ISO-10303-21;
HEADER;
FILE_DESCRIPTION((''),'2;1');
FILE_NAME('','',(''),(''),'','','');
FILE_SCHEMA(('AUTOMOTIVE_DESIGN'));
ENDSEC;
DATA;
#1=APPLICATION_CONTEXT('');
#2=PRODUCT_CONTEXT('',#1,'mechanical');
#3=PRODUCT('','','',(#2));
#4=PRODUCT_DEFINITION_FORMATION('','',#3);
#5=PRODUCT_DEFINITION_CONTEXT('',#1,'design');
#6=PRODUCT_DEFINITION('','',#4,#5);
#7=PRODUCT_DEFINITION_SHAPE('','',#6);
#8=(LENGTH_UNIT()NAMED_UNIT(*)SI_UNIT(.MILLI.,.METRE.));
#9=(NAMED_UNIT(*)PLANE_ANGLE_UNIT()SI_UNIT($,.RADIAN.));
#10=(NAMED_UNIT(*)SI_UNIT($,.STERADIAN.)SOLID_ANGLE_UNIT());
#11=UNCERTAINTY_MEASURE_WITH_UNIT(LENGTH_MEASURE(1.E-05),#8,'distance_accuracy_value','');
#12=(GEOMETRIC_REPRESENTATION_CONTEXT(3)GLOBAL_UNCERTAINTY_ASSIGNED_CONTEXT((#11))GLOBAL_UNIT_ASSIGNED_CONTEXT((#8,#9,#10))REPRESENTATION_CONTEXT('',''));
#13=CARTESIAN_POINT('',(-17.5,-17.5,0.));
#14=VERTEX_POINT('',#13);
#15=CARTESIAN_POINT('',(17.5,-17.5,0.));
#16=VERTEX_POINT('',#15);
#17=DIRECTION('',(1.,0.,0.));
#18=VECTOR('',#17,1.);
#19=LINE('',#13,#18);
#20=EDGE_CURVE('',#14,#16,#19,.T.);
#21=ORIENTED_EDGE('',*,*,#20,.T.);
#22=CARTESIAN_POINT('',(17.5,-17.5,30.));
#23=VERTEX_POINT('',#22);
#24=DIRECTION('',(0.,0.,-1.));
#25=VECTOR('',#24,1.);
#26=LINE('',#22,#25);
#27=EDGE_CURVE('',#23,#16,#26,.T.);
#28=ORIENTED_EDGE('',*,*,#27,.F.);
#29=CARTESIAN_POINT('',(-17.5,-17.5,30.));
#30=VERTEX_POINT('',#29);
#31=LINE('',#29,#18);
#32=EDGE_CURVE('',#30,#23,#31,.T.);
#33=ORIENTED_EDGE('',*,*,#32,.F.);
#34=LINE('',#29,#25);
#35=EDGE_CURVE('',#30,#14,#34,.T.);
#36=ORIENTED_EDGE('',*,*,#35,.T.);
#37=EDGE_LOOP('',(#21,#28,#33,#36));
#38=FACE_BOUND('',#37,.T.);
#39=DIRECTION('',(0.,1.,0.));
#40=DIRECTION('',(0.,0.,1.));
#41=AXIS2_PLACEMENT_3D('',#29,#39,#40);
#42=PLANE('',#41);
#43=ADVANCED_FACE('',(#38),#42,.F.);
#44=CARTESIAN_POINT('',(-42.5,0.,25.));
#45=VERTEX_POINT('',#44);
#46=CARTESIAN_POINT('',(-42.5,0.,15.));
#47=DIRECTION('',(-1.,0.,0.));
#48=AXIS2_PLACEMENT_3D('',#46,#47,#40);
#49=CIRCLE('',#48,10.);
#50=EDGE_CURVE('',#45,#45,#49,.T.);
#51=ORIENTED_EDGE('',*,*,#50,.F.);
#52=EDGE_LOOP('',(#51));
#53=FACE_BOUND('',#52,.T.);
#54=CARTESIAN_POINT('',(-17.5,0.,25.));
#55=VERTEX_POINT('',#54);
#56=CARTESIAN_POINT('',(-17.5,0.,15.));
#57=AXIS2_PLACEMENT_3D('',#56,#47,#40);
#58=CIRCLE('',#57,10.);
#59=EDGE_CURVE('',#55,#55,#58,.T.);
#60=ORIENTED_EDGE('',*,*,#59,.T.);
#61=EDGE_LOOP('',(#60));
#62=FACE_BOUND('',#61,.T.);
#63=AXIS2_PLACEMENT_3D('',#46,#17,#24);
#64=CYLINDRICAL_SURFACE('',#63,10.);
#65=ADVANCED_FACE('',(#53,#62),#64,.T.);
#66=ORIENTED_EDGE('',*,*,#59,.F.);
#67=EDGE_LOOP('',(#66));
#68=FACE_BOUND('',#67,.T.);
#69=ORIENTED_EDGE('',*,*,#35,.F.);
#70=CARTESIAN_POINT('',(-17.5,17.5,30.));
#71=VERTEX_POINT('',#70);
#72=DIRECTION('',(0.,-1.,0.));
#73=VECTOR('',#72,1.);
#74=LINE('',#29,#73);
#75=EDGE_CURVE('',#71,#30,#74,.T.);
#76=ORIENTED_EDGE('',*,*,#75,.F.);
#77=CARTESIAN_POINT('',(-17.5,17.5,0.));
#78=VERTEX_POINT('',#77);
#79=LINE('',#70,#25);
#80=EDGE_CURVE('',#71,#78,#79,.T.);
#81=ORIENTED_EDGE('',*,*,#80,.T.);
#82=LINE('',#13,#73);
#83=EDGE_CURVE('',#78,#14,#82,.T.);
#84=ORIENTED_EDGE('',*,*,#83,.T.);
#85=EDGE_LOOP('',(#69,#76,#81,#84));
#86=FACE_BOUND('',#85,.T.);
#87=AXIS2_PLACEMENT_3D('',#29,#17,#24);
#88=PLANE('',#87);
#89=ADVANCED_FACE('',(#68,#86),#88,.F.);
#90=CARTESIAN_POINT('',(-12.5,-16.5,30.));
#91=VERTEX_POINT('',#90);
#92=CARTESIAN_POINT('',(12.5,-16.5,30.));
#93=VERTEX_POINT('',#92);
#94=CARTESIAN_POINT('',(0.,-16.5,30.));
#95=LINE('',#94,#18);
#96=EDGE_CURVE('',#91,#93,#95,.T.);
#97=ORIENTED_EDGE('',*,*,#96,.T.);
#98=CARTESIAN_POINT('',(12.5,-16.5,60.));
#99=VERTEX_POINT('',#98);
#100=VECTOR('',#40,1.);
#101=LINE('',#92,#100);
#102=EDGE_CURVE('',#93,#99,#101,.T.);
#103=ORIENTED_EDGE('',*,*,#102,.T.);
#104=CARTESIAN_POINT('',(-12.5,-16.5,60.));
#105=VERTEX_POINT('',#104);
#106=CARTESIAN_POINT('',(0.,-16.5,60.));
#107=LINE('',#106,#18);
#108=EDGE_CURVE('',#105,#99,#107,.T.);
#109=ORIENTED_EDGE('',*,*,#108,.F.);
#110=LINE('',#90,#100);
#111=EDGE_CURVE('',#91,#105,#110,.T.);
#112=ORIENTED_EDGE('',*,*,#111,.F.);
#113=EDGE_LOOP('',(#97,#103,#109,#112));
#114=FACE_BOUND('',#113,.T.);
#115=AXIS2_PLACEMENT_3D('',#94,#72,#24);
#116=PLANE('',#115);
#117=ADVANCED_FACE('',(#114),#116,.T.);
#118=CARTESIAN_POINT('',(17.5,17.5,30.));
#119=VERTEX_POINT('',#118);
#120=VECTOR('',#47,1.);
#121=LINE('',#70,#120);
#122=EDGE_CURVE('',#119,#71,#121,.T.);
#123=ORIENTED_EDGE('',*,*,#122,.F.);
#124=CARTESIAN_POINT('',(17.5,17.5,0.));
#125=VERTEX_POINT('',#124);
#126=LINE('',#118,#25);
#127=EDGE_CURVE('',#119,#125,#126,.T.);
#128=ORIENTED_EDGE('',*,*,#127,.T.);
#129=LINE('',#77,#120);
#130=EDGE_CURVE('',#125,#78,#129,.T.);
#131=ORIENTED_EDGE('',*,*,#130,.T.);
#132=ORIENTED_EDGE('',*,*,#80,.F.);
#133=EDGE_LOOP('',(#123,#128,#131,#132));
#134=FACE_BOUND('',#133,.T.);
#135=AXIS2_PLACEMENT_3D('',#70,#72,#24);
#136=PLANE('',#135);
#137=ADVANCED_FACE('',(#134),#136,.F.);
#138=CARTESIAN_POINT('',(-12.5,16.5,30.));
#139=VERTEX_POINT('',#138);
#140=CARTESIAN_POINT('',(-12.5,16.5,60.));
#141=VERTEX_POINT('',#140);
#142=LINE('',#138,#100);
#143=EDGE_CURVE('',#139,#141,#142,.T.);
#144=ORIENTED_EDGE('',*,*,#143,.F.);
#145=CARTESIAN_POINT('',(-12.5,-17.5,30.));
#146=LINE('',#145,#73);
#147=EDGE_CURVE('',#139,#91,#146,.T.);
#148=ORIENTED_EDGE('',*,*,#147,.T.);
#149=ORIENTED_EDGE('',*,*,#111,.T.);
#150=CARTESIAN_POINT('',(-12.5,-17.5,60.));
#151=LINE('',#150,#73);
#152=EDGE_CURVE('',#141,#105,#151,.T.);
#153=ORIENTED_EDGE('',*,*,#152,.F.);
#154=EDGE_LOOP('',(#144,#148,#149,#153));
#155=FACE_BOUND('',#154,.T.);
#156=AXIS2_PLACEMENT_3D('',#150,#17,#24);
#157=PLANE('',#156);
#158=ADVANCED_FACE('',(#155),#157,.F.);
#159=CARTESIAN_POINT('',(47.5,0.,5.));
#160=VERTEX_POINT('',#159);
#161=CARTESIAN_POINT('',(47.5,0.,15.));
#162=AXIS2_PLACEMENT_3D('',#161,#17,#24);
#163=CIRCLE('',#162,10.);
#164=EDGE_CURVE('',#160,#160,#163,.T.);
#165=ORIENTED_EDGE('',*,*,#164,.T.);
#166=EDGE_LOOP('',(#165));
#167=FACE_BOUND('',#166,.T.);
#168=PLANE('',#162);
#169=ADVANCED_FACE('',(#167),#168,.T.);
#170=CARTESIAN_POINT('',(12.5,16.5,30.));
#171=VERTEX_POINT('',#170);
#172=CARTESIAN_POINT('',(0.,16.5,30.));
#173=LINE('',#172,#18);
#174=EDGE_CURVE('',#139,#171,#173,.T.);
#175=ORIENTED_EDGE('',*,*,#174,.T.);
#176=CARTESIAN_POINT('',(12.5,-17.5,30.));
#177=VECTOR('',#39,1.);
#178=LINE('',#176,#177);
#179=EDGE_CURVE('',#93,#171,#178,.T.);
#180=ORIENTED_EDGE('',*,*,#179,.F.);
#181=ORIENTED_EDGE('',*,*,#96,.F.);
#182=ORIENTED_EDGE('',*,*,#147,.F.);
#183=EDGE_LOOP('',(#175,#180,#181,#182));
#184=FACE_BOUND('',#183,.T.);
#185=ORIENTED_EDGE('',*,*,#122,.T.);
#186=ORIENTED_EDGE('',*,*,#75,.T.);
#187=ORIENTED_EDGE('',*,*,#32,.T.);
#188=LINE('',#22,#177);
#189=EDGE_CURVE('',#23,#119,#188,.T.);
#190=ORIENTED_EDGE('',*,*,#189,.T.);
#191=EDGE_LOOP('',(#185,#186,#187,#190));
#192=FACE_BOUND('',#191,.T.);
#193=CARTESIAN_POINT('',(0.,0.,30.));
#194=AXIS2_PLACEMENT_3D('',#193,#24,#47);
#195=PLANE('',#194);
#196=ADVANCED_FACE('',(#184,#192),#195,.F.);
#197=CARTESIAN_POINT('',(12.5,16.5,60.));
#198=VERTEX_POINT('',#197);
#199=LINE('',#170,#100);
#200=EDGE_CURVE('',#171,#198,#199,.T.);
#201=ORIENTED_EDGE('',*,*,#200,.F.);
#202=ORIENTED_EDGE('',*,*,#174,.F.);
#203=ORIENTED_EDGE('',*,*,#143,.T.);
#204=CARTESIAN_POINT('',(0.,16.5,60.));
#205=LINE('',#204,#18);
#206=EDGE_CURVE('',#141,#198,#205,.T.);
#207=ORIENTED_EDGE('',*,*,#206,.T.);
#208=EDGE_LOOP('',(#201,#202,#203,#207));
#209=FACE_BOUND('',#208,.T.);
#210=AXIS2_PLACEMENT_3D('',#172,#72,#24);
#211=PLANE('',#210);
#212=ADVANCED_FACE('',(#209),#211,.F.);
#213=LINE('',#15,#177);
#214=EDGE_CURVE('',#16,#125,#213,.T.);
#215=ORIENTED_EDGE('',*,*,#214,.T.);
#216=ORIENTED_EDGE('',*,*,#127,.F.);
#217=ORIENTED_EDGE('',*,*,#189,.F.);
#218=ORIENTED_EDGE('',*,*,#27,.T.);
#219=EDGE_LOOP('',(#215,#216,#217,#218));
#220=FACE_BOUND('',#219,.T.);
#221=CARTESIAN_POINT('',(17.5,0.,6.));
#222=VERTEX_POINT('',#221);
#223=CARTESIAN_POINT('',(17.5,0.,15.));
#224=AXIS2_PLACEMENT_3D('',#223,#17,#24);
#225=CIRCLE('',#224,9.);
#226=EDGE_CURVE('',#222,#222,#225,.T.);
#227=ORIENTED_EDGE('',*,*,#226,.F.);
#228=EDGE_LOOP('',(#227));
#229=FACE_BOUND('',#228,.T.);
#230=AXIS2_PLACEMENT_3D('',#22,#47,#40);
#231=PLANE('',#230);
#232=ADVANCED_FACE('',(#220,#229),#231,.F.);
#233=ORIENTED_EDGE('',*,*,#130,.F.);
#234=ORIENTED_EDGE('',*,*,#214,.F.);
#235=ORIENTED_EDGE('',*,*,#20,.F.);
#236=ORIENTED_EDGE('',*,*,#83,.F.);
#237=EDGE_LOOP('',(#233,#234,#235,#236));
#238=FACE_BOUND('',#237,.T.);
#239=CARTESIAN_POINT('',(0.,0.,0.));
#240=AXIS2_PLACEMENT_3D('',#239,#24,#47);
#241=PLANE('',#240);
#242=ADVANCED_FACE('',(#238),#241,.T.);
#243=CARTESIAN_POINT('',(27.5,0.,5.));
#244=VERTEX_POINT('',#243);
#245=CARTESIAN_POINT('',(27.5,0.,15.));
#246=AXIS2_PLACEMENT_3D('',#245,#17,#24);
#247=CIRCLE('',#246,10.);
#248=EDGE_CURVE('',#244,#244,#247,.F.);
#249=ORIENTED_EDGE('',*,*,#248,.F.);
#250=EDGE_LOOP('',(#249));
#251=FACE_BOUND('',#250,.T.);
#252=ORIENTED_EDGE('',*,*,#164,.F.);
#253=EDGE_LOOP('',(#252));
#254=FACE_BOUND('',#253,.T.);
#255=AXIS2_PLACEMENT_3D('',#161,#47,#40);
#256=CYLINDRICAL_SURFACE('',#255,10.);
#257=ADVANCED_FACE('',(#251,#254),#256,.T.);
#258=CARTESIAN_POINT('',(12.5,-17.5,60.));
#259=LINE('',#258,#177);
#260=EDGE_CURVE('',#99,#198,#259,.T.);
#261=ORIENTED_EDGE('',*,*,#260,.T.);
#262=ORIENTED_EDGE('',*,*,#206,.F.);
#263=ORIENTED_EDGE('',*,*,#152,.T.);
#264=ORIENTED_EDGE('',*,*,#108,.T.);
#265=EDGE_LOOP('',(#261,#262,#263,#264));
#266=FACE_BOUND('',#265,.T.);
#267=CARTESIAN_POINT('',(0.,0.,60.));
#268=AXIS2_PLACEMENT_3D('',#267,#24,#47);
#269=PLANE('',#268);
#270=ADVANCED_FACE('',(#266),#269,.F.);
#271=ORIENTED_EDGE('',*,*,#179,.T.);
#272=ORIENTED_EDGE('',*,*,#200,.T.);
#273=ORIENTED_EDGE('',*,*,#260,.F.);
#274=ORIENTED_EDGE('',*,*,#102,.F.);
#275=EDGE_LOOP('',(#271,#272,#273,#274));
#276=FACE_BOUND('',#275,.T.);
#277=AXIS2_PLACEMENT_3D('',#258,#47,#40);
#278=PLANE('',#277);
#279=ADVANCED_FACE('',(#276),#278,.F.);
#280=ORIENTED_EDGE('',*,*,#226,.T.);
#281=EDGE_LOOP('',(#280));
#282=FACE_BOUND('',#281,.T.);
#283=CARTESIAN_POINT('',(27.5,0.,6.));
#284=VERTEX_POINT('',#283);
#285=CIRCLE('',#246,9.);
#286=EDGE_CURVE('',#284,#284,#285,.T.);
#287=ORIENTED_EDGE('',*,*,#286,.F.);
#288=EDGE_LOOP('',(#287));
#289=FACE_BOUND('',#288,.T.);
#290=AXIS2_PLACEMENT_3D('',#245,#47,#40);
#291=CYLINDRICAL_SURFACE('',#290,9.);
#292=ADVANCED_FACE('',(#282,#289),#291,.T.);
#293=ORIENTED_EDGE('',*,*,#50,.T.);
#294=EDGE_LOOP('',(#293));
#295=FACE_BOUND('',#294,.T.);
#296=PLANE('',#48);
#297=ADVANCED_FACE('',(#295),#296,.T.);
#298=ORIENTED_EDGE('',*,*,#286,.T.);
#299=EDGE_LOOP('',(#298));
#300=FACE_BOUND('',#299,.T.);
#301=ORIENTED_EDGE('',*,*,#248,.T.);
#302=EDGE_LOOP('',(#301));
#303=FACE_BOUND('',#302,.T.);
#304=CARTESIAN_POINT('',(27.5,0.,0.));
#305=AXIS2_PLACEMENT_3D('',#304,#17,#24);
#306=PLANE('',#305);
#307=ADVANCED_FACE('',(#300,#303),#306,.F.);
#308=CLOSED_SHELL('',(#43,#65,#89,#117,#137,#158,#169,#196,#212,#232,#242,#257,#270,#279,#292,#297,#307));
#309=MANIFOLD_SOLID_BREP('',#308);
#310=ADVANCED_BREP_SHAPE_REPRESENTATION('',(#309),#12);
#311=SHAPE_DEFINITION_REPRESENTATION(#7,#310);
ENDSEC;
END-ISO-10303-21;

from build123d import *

# Parameters (mm, degrees)
SKETCH1_W           = 35
SKETCH1_H           = 35
BOSS_EXTRUDE1_DEPTH = 30
SKETCH2_W           = 25
SKETCH2_H           = 35
BOSS_EXTRUDE2_DEPTH = 30
SKETCH3_R           = 10
BOSS_EXTRUDE3_DEPTH = 25
BOSS_EXTRUDE4_START = 30
SKETCH4_R           = 10
BOSS_EXTRUDE4_DEPTH = 30
CUT_EXTRUDE1_START  = 10
SKETCH5_R           = 10
SKETCH5_R_2         = 9
CUT_EXTRUDE1_DEPTH  = 10
SKETCH6_W           = 25
SKETCH6_H           = 1
CUT_EXTRUDE2_DEPTH  = 30


with BuildPart() as part:
    # Sketch1 → Boss-Extrude1 (new body)
    with BuildSketch(Plane.XY):
        Rectangle(SKETCH1_W, SKETCH1_H)
    extrude(amount=BOSS_EXTRUDE1_DEPTH)

    # Sketch2 → Boss-Extrude2 (add)
    with BuildSketch(Plane.XY.offset(30)):
        Rectangle(SKETCH2_W, SKETCH2_H)
    extrude(amount=BOSS_EXTRUDE2_DEPTH)

    # Sketch3 → Boss-Extrude3 (add)
    with BuildSketch(Plane.ZY.offset(17.5)):
        with Locations((15, 0)):
            Circle(SKETCH3_R)
    extrude(amount=BOSS_EXTRUDE3_DEPTH)

    # Sketch4 → Boss-Extrude4 (add)
    with BuildSketch(Plane(origin=(17.5, 0, 0), x_dir=(0, 0, -1), z_dir=(1, 0, 0)).offset(BOSS_EXTRUDE4_START)):
        with Locations(Location((-15, 0, 0), (0, 0, 180))):
            Circle(SKETCH4_R)
    extrude(amount=-BOSS_EXTRUDE4_DEPTH)

    # Sketch5 → Cut-Extrude1 (cut)
    with BuildSketch(Plane(origin=(17.5, 0, 0), x_dir=(0, 0, -1), z_dir=(1, 0, 0)).offset(CUT_EXTRUDE1_START)):
        with Locations(Location((-15, 0, 0), (0, 0, 180))):
            Circle(SKETCH5_R)
        with Locations((-15, 0)):
            Circle(SKETCH5_R_2, mode=Mode.SUBTRACT)
    extrude(amount=-CUT_EXTRUDE1_DEPTH, mode=Mode.SUBTRACT)

    # Sketch6 → Cut-Extrude2 (cut)
    with BuildSketch(Plane.XY.offset(60)):
        with Locations((0, 17)):
            Rectangle(SKETCH6_W, SKETCH6_H)
        with Locations((0, -17)):
            Rectangle(SKETCH6_W, SKETCH6_H)
    extrude(amount=-CUT_EXTRUDE2_DEPTH, mode=Mode.SUBTRACT)


solid = part.part
